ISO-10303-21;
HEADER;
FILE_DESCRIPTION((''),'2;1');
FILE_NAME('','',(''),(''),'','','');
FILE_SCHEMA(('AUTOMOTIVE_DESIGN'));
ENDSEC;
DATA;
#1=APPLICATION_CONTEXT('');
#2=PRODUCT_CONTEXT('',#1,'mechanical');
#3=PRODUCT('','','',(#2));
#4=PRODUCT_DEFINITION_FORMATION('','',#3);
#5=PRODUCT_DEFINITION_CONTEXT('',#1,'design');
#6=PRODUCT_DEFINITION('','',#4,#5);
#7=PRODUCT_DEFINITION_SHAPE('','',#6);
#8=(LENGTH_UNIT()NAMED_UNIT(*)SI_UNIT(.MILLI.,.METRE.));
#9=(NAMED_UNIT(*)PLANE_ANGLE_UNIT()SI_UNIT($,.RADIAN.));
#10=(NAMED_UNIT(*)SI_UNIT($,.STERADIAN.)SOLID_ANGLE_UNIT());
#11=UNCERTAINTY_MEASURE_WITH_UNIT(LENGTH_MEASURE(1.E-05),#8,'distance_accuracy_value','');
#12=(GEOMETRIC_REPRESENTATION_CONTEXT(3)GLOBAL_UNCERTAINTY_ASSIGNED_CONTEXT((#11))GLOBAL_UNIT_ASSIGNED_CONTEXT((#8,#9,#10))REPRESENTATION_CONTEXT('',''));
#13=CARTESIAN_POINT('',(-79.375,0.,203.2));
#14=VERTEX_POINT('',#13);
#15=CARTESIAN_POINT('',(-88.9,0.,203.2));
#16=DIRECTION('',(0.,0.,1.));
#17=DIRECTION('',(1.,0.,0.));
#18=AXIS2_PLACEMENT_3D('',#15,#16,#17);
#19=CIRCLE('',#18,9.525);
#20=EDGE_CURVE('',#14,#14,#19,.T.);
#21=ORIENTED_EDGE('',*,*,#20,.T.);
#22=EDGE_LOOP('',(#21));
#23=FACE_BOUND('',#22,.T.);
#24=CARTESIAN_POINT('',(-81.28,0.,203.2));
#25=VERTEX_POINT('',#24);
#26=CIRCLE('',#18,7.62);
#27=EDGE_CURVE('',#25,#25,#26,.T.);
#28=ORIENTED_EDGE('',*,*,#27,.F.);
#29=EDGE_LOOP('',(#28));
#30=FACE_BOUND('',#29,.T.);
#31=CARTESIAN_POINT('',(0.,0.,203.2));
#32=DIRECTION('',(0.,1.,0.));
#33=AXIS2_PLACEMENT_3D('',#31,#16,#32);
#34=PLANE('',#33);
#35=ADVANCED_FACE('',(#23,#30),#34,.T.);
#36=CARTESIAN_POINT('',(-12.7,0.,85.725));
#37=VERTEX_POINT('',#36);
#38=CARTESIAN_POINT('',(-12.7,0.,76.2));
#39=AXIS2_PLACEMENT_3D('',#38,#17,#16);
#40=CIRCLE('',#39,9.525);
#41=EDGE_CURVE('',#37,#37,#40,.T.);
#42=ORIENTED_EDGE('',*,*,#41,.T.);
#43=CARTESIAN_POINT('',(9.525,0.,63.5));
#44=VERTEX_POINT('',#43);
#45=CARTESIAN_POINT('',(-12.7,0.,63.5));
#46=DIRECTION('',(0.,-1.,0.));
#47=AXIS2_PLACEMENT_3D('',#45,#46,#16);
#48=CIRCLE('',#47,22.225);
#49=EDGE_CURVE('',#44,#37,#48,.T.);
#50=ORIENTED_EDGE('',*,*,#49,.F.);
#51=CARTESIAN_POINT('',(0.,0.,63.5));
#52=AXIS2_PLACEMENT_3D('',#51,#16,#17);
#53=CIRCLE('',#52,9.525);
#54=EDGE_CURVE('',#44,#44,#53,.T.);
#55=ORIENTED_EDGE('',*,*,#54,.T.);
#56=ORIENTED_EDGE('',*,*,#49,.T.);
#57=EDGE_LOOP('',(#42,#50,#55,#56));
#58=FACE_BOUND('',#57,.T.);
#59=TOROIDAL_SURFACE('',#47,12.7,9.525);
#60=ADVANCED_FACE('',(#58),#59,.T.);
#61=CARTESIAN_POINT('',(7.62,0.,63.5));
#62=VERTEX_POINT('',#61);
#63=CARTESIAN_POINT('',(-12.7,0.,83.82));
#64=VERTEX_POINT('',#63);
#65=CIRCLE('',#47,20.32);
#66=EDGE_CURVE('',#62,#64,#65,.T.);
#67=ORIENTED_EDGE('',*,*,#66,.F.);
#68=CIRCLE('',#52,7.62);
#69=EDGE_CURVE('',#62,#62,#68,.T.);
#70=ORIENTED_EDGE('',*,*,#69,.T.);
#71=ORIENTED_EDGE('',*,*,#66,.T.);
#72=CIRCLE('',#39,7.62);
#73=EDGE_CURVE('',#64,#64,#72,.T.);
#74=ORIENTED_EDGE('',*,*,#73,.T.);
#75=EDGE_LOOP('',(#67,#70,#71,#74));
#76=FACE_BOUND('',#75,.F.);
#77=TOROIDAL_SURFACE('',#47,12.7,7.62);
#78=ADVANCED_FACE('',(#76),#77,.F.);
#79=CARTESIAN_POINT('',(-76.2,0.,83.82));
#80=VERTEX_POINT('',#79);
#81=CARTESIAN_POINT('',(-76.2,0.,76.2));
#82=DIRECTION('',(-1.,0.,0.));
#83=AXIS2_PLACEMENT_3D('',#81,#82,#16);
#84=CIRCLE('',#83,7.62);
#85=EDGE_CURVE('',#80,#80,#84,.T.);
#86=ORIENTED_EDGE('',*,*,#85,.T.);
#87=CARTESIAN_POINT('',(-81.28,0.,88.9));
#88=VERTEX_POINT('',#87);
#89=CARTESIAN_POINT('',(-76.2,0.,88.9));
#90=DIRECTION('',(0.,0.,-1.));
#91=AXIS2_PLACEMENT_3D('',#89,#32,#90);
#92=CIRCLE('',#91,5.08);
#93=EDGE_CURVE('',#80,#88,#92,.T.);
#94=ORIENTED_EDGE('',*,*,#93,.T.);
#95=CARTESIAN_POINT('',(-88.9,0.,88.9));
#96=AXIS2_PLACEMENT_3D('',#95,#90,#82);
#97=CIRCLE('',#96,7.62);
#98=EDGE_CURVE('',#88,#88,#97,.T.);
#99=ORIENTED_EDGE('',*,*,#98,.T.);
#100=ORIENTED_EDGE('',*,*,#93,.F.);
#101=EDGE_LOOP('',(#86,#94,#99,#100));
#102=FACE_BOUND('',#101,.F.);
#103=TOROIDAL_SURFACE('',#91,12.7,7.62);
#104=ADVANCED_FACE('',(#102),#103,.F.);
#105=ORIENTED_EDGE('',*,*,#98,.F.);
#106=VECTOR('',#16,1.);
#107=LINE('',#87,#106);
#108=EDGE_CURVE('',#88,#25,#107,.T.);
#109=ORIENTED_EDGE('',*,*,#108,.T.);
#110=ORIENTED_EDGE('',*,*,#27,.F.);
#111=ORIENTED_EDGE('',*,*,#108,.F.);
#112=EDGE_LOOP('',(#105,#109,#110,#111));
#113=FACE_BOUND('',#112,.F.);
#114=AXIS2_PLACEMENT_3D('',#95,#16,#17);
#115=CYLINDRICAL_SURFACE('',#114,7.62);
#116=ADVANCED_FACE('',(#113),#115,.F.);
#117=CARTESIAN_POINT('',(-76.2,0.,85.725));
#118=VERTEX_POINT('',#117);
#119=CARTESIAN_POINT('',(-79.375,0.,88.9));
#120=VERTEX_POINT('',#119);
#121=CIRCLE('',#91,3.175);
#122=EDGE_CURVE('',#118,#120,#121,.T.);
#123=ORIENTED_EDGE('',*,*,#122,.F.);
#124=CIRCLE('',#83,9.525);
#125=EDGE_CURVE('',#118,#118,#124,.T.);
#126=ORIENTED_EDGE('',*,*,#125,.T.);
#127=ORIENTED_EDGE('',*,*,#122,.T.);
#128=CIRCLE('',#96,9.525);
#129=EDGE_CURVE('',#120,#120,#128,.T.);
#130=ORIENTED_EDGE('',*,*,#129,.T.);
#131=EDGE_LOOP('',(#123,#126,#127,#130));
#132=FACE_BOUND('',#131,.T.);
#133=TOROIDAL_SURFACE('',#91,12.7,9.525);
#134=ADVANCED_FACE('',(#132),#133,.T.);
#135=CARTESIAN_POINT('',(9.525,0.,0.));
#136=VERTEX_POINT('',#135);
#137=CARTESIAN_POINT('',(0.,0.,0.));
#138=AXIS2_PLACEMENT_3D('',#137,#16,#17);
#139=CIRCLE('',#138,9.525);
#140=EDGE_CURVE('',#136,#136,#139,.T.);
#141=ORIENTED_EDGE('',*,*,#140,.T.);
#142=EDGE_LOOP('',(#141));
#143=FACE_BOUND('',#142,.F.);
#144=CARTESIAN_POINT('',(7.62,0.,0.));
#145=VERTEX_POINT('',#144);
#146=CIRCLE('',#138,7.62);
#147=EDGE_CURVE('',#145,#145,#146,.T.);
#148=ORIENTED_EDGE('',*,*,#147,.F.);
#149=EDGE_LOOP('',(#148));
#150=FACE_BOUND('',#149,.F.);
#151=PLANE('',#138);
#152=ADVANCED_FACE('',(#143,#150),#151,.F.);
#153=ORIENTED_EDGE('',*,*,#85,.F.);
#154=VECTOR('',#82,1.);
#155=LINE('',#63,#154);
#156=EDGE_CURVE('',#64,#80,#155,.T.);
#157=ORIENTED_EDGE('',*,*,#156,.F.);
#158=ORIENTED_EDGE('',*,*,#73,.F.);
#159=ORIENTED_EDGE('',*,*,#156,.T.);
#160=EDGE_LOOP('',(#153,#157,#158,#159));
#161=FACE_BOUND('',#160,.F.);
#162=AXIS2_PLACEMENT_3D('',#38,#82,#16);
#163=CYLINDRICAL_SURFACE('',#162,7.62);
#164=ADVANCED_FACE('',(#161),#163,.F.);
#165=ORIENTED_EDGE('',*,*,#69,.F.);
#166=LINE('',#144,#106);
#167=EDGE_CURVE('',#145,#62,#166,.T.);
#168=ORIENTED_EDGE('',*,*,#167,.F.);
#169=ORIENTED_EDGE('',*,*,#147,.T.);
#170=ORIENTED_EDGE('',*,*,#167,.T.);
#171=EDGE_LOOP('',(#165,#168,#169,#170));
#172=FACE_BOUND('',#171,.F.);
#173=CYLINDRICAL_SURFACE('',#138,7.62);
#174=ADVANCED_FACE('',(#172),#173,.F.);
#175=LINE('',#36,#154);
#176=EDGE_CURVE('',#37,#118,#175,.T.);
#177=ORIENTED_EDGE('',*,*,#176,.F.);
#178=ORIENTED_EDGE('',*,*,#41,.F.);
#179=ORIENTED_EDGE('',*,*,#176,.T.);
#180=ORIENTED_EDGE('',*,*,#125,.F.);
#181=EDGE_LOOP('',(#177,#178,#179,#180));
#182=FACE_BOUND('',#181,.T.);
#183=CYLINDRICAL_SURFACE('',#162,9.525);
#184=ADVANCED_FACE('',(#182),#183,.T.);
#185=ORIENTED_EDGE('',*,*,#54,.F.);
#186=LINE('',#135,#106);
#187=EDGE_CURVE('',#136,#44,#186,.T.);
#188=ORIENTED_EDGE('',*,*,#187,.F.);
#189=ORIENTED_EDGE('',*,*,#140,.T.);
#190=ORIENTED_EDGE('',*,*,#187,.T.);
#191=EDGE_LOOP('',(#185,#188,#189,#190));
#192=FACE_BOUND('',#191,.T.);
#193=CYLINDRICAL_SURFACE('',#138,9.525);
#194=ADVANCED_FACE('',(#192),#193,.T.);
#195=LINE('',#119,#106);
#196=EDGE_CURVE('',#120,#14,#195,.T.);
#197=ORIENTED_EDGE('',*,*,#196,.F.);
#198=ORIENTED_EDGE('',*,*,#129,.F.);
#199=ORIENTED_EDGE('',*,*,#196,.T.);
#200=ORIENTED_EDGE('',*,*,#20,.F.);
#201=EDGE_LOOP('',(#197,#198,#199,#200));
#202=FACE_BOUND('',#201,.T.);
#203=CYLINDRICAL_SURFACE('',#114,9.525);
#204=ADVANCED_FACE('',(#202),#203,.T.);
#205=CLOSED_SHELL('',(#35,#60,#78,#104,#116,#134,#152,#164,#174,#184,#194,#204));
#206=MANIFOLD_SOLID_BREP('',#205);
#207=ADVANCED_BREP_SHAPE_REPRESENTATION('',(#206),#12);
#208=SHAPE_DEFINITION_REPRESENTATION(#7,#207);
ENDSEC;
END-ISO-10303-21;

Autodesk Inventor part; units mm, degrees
ref_plane "YZ Plane" through (0, 0, 0) normal (1, 0, 0) x (0, 1, 0)
ref_plane "XZ Plane" through (0, 0, 0) normal (0, 1, 0) x (-1, 0, 0)
sketch "Sketch1" plane through (0, 0, 0) normal (0, 1, 0) x (-1, 0, 0)
  line L0 (0, 0) -> (0, 63.5)
  line L1 (12.7, 76.2) -> (76.2, 76.2)
  line L2 (88.9, 88.9) -> (88.9, 431.8)
  arc A0 (76.2, 76.2) -> (88.9, 88.9) centre (76.2, 88.9) ccw
  arc A1 (12.7, 76.2) -> (0, 63.5) centre (12.7, 63.5) ccw
  point P0 (0, 76.2)
  point P1 (88.9, 76.2)
  dimension "short" = 76.2
  dimension "right" = 88.9
  dimension "long" = 355.6
  dimension "turn_radius" = 12.7
  dimension "d10" = 12.7
sketch "Sketch2" plane through (0, 0, 0) normal (0, 0, 1) x (1, 0, 0)
  circle A0 centre (0, 0) radius 9.525
  circle A1 centre (0, 0) radius 7.62
  dimension "outsideDiamter" = 19.05
  dimension "insideDiamter" = 15.24
sweep "Sweep2" add profiles "Sketch2" path "Sketch1"
ref_plane "Work Plane1" through (0, 0, 203.2) normal (0, 0, 1) x (1, 0, 0)
split "Split1" plane through (0, 0, 203.2) removes the side toward (0, 0, 1)
properties part number "ABS Arm Part 1" material "ABS Plastic"
